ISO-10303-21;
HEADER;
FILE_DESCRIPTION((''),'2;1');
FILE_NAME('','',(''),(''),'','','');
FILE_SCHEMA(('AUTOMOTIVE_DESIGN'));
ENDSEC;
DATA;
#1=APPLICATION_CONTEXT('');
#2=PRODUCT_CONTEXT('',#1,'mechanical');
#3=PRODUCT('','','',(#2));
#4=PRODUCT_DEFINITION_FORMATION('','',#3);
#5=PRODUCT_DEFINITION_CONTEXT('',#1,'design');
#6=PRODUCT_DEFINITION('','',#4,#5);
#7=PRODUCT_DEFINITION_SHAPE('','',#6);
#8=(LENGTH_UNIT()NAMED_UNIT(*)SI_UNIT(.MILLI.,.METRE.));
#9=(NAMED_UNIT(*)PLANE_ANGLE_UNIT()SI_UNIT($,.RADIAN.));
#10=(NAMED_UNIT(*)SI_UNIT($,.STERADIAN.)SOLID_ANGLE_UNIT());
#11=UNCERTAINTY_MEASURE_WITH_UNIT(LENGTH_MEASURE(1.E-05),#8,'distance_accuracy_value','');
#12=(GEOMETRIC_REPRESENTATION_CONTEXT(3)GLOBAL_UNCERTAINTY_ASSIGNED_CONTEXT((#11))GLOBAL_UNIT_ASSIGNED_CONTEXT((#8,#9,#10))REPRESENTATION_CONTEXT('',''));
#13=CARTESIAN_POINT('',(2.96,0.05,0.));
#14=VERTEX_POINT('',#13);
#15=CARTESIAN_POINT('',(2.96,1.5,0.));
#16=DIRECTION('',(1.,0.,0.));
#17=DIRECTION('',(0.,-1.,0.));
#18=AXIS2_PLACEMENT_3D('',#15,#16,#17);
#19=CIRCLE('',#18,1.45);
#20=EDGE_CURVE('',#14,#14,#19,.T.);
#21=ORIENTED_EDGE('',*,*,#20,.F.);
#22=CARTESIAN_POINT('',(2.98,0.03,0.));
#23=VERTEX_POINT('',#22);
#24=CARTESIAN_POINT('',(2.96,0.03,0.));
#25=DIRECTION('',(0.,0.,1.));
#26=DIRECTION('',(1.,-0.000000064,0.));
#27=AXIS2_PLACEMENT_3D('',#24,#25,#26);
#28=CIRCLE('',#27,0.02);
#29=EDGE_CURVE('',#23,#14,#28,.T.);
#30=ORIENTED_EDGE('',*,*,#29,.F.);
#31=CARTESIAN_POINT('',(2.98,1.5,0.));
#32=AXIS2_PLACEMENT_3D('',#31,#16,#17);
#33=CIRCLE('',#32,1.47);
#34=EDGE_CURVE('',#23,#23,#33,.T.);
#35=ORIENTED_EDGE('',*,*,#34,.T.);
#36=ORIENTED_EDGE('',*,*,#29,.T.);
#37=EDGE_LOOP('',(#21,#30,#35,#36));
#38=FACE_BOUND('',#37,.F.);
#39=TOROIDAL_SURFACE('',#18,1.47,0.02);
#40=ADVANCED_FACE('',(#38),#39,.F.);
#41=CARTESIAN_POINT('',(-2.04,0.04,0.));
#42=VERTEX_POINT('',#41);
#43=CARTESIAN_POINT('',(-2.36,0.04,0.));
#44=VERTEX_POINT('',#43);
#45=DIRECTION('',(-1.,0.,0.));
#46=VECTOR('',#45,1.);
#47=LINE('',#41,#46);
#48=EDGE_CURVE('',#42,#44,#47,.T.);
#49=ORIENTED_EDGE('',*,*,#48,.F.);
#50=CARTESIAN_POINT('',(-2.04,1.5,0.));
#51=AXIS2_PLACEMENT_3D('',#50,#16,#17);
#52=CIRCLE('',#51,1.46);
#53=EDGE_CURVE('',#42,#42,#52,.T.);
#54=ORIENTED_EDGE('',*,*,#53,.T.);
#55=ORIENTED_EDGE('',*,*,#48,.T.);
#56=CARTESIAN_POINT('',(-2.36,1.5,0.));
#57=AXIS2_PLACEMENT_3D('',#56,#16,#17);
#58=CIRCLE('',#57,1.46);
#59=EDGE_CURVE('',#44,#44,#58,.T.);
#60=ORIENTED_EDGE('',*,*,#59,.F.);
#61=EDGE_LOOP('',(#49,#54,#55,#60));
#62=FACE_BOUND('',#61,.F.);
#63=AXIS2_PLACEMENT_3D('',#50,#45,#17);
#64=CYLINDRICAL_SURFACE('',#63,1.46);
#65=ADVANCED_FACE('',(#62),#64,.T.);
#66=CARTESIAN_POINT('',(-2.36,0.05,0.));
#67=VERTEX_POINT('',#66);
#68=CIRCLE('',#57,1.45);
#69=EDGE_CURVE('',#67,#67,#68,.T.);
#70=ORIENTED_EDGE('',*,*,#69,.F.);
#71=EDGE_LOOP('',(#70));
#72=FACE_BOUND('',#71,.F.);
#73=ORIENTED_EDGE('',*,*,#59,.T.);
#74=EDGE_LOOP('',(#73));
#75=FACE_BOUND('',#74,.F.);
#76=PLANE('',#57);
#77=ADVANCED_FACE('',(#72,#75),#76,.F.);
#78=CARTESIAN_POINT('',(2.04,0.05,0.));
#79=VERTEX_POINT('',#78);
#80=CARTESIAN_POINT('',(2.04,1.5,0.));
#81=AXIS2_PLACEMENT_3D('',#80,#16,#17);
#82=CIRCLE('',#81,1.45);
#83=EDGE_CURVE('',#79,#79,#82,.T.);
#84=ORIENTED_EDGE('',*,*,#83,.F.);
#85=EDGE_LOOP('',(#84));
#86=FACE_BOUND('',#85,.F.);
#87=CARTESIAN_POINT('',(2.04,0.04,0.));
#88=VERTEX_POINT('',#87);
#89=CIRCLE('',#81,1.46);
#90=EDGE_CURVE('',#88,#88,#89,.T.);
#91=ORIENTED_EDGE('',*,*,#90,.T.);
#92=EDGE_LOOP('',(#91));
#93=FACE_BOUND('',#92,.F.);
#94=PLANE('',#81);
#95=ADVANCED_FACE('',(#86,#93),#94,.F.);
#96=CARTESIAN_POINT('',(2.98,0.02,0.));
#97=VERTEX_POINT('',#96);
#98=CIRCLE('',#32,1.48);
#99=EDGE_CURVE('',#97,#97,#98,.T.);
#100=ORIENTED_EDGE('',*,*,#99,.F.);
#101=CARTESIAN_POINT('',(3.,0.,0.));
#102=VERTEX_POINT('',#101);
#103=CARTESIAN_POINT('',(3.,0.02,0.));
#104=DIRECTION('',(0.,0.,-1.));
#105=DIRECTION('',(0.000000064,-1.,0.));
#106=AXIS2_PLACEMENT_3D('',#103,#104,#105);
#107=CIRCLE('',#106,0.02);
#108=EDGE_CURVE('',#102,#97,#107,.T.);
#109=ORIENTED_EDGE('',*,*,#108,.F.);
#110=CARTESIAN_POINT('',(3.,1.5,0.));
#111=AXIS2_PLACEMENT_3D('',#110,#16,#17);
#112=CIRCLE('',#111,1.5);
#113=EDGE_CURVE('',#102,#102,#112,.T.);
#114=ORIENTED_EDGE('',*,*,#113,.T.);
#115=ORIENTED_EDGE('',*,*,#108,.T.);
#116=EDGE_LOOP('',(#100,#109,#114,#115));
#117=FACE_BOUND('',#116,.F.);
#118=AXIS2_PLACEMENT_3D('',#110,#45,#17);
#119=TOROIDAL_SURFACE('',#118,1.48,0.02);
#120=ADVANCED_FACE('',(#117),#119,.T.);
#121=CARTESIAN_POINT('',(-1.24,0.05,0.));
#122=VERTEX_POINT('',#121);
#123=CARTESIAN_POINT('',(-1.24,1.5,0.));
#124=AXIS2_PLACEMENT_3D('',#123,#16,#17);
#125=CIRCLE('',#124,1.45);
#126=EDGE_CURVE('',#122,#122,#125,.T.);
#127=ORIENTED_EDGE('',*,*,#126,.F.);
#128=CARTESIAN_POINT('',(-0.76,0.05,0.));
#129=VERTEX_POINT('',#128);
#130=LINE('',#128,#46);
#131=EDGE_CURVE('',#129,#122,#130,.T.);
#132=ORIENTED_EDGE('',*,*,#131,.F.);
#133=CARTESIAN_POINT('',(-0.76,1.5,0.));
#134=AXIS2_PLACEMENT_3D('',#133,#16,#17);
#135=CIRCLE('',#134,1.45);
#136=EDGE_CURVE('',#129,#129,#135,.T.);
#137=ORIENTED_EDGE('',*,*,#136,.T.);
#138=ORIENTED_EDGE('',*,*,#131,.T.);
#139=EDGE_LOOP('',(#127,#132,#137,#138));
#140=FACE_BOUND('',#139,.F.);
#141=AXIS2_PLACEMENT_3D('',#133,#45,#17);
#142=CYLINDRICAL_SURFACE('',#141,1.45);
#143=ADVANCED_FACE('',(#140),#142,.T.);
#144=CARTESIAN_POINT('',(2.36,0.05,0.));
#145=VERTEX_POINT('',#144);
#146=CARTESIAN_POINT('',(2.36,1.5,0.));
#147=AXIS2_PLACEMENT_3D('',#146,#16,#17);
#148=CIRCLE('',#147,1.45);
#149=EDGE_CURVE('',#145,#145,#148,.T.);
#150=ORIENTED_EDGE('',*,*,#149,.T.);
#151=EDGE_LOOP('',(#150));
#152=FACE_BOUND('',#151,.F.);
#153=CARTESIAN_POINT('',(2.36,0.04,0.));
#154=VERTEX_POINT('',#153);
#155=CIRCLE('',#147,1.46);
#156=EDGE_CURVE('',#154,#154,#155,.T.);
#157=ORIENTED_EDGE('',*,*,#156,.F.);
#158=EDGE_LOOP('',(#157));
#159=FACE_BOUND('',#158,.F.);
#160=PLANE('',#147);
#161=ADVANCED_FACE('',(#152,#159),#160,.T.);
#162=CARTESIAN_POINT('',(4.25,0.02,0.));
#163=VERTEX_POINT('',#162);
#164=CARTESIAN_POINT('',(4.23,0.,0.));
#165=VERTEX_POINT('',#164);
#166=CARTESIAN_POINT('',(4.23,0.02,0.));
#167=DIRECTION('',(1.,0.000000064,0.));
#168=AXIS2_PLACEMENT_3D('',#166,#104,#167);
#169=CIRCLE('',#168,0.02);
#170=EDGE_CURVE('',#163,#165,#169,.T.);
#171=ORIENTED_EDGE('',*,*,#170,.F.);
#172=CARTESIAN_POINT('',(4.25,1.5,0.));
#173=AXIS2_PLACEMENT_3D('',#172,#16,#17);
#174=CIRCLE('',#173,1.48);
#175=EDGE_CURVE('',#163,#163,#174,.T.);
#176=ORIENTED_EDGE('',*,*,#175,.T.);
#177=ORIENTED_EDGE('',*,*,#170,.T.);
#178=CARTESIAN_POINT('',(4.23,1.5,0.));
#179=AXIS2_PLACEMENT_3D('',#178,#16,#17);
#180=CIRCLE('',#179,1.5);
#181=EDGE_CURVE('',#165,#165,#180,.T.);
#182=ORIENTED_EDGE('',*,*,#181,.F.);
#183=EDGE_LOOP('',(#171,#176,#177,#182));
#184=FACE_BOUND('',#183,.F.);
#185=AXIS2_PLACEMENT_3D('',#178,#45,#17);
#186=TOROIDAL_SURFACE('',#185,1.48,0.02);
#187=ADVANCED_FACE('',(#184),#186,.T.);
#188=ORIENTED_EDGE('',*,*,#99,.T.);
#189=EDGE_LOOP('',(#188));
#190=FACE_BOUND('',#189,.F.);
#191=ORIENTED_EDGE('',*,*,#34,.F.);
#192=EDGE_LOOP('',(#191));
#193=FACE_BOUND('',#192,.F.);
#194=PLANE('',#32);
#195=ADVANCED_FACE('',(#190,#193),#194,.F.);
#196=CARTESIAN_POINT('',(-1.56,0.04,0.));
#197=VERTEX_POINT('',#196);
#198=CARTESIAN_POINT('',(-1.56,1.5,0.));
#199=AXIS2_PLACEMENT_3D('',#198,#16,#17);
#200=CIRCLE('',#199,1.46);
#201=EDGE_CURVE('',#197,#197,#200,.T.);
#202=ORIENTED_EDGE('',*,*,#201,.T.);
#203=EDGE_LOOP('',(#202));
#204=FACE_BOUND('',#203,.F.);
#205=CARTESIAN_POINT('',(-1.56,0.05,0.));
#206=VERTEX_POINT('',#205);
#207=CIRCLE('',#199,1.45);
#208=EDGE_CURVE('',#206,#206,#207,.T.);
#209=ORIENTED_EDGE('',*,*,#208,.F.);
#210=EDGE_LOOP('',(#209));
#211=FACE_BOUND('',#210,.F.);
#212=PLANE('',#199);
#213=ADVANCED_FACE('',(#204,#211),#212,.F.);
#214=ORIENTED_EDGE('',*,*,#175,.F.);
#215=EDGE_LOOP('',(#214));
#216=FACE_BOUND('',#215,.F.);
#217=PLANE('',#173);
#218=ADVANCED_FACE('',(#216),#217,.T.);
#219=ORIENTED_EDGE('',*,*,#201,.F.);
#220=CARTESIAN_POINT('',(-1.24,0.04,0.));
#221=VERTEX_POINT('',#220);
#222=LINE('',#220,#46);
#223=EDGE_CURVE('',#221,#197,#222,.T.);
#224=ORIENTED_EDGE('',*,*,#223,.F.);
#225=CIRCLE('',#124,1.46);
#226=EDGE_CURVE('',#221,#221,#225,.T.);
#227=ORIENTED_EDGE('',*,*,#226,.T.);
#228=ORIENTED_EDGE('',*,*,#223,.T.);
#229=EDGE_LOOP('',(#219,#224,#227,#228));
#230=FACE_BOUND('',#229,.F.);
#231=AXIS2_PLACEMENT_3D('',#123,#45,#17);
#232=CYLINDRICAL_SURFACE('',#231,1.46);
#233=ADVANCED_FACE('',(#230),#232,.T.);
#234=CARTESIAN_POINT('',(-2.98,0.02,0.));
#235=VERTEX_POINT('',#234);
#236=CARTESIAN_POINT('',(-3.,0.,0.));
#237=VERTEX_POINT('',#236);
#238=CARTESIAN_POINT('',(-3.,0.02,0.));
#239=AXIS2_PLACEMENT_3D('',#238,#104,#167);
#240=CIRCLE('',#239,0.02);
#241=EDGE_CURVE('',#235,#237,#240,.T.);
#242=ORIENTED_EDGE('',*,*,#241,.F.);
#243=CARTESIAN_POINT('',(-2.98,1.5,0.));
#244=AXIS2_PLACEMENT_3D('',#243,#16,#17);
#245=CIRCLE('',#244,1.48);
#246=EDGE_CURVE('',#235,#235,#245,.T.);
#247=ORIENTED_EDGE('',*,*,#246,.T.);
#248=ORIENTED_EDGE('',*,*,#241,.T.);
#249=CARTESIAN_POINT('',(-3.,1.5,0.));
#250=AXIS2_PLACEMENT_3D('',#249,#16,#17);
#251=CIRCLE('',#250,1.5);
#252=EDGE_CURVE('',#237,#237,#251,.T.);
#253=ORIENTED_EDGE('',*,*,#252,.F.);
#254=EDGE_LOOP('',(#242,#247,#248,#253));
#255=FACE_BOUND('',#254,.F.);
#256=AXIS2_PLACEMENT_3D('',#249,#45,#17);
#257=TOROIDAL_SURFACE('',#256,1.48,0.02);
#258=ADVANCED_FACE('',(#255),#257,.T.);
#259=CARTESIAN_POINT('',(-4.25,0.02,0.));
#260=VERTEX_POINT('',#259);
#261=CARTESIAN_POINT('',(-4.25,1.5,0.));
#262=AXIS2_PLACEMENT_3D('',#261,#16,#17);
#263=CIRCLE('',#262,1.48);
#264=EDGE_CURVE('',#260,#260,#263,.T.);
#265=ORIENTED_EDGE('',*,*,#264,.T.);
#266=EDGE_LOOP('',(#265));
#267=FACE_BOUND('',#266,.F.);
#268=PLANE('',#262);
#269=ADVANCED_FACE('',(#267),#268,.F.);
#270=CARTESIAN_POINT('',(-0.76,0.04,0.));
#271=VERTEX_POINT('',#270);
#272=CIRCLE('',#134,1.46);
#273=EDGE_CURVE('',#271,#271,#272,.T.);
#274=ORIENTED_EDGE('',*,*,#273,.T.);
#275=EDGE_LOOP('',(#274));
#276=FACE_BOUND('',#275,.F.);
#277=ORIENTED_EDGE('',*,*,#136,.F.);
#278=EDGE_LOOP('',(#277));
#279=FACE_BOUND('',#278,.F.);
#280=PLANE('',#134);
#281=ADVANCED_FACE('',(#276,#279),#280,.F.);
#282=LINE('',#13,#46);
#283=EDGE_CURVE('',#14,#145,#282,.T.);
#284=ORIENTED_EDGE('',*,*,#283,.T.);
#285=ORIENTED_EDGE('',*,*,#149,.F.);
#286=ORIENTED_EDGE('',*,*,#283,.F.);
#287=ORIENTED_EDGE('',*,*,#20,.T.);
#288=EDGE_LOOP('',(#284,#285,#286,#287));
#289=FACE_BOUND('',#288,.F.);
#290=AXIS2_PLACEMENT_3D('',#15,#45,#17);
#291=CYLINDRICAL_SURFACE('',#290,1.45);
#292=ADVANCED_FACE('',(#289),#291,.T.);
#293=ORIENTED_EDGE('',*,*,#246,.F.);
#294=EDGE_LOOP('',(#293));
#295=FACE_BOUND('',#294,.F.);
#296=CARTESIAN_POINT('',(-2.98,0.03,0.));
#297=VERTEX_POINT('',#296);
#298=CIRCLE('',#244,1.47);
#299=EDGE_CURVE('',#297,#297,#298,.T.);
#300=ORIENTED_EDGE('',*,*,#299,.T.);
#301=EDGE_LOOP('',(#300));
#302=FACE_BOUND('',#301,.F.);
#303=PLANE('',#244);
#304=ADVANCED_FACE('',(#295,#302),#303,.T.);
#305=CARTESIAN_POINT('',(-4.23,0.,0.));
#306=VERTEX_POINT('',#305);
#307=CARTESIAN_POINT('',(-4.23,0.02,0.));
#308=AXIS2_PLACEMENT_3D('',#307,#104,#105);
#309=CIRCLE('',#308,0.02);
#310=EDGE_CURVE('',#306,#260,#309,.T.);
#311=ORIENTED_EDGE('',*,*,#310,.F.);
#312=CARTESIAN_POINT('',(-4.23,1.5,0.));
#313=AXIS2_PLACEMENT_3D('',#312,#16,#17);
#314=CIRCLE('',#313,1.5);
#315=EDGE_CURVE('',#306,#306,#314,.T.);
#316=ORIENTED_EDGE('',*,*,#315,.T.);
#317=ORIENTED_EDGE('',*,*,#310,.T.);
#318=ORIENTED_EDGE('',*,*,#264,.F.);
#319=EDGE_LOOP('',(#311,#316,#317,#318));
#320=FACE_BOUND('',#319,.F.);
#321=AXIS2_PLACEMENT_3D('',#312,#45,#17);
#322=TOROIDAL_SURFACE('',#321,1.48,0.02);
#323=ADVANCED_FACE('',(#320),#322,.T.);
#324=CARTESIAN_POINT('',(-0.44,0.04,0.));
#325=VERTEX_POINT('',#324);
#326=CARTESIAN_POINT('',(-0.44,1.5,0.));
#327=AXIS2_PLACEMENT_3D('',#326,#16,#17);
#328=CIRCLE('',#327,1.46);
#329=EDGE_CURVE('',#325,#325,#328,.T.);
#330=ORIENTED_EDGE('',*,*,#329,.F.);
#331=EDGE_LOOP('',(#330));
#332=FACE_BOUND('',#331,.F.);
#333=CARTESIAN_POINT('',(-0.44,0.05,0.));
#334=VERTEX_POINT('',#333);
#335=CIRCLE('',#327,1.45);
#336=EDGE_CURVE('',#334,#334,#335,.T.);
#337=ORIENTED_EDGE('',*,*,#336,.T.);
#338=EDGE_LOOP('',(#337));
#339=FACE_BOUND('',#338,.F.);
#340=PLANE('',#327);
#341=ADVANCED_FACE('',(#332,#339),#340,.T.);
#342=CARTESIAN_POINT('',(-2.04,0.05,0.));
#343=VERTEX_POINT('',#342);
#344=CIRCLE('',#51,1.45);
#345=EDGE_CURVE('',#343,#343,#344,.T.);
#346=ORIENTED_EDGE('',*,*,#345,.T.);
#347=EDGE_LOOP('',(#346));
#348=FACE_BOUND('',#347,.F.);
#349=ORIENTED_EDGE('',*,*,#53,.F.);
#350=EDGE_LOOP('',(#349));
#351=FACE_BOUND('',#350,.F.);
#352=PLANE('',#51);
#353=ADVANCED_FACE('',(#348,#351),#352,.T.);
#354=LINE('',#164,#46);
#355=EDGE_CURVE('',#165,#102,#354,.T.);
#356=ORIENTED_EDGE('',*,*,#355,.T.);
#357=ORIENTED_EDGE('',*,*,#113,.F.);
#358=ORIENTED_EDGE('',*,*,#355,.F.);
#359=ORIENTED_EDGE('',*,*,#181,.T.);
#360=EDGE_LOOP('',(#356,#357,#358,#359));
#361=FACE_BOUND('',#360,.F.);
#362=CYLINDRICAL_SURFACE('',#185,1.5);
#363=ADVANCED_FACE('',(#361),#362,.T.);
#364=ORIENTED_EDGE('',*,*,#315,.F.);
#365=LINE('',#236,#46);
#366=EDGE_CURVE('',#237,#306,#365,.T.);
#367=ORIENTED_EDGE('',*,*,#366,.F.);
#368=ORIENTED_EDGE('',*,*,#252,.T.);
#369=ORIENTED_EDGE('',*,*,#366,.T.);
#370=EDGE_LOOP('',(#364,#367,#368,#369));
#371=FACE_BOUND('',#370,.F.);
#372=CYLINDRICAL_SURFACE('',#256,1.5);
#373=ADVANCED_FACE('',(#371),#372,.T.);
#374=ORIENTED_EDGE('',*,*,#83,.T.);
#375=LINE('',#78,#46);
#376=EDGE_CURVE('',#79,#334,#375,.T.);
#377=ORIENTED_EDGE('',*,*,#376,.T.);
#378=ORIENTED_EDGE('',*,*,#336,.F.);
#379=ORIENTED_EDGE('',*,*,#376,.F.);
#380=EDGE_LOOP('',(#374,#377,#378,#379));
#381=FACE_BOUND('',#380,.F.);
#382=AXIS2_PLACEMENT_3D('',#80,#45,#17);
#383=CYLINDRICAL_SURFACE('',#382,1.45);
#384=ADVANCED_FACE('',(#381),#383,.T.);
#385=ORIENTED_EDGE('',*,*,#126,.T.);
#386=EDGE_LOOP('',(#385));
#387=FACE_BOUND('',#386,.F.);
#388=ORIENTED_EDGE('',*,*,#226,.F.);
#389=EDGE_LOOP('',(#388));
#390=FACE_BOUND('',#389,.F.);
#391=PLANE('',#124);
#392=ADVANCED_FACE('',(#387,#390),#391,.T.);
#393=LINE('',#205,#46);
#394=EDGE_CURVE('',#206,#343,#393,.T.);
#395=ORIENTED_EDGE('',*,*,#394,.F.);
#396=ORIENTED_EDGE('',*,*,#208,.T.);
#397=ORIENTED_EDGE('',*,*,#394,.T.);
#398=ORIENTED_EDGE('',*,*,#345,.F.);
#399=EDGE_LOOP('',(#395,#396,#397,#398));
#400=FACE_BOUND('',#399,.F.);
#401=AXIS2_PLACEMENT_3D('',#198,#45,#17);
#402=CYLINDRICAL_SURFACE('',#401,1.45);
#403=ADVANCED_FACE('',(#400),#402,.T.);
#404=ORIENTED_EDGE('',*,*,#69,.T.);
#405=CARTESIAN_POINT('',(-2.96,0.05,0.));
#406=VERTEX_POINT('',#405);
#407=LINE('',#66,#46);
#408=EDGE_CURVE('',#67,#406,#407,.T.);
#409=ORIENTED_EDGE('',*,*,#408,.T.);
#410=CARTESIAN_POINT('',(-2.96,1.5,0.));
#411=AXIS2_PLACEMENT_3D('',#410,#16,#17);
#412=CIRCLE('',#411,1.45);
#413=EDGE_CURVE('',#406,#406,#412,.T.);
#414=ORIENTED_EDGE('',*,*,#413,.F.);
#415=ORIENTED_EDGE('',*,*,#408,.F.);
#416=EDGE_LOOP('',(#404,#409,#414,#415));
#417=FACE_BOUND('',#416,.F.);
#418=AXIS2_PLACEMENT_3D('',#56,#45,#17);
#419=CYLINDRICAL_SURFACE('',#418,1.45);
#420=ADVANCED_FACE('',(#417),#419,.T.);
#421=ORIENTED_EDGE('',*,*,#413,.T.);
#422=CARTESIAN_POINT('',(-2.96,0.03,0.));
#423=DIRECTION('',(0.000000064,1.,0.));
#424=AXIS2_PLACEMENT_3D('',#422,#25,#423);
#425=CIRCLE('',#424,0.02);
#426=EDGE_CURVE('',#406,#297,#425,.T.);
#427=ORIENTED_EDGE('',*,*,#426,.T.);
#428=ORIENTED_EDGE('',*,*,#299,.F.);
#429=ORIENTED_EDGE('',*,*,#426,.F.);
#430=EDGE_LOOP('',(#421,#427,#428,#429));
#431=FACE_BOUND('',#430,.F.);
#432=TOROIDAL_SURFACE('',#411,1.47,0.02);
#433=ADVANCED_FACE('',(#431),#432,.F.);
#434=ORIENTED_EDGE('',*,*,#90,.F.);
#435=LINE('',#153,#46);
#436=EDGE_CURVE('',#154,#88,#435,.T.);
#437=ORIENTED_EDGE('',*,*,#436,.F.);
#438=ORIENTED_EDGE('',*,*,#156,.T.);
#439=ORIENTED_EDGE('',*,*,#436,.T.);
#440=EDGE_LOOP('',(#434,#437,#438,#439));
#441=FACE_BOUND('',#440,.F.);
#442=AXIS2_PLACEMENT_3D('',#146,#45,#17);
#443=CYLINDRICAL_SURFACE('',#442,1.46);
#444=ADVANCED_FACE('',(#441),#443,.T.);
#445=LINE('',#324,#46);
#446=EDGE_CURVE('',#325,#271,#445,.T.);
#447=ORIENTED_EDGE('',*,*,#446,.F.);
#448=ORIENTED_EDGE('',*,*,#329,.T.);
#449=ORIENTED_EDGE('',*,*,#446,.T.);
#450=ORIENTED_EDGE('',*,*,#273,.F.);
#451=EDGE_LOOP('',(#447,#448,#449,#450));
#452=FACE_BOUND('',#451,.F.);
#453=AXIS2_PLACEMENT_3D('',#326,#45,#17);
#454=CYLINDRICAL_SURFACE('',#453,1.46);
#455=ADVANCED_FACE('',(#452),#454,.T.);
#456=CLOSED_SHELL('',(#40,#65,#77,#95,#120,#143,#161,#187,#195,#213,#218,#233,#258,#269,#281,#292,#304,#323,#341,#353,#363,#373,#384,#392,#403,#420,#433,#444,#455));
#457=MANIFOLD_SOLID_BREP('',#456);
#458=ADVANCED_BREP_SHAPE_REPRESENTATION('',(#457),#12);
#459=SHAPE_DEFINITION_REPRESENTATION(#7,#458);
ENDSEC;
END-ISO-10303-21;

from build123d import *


with BuildPart() as part:
    # Sketch1 → Revolve1 (revolve)
    with BuildSketch(Plane.XY):
        with BuildLine():
            Line((-4.25, 1.5), (4.25, 1.5))
            Line((4.25, 1.5), (4.25, 0.02))
            ThreePointArc((4.25, 0.02), (4.244142136, 0.005857864), (4.23, 0))
            Line((4.23, 0), (3, 0))
            ThreePointArc((3, 0), (2.985857864, 0.005857864), (2.98, 0.02))
            Line((2.98, 0.02), (2.98, 0.03))
            ThreePointArc((2.98, 0.03), (2.974142136, 0.044142136), (2.96, 0.05))
            Line((2.96, 0.05), (2.36, 0.05))
            Line((2.36, 0.05), (2.36, 0.04))
            Line((2.36, 0.04), (2.04, 0.04))
            Line((2.04, 0.04), (2.04, 0.05))
            Line((2.04, 0.05), (-0.44, 0.05))
            Line((-0.44, 0.05), (-0.44, 0.04))
            Line((-0.44, 0.04), (-0.76, 0.04))
            Line((-0.76, 0.04), (-0.76, 0.05))
            Line((-0.76, 0.05), (-1.24, 0.05))
            Line((-1.24, 0.05), (-1.24, 0.04))
            Line((-1.24, 0.04), (-1.56, 0.04))
            Line((-1.56, 0.04), (-1.56, 0.05))
            Line((-1.56, 0.05), (-2.04, 0.05))
            Line((-2.04, 0.05), (-2.04, 0.04))
            Line((-2.04, 0.04), (-2.36, 0.04))
            Line((-2.36, 0.04), (-2.36, 0.05))
            Line((-2.36, 0.05), (-2.96, 0.05))
            ThreePointArc((-2.96, 0.05), (-2.974142136, 0.044142136), (-2.98, 0.03))
            Line((-2.98, 0.03), (-2.98, 0.02))
            ThreePointArc((-2.98, 0.02), (-2.985857864, 0.005857864), (-3, 0))
            Line((-3, 0), (-4.23, 0))
            ThreePointArc((-4.23, 0), (-4.244142136, 0.005857864), (-4.25, 0.02))
            Line((-4.25, 0.02), (-4.25, 1.5))
        make_face()
    revolve(axis=Axis((-4.25, 1.5, 0), (1, 0, 0)))


solid = part.part
